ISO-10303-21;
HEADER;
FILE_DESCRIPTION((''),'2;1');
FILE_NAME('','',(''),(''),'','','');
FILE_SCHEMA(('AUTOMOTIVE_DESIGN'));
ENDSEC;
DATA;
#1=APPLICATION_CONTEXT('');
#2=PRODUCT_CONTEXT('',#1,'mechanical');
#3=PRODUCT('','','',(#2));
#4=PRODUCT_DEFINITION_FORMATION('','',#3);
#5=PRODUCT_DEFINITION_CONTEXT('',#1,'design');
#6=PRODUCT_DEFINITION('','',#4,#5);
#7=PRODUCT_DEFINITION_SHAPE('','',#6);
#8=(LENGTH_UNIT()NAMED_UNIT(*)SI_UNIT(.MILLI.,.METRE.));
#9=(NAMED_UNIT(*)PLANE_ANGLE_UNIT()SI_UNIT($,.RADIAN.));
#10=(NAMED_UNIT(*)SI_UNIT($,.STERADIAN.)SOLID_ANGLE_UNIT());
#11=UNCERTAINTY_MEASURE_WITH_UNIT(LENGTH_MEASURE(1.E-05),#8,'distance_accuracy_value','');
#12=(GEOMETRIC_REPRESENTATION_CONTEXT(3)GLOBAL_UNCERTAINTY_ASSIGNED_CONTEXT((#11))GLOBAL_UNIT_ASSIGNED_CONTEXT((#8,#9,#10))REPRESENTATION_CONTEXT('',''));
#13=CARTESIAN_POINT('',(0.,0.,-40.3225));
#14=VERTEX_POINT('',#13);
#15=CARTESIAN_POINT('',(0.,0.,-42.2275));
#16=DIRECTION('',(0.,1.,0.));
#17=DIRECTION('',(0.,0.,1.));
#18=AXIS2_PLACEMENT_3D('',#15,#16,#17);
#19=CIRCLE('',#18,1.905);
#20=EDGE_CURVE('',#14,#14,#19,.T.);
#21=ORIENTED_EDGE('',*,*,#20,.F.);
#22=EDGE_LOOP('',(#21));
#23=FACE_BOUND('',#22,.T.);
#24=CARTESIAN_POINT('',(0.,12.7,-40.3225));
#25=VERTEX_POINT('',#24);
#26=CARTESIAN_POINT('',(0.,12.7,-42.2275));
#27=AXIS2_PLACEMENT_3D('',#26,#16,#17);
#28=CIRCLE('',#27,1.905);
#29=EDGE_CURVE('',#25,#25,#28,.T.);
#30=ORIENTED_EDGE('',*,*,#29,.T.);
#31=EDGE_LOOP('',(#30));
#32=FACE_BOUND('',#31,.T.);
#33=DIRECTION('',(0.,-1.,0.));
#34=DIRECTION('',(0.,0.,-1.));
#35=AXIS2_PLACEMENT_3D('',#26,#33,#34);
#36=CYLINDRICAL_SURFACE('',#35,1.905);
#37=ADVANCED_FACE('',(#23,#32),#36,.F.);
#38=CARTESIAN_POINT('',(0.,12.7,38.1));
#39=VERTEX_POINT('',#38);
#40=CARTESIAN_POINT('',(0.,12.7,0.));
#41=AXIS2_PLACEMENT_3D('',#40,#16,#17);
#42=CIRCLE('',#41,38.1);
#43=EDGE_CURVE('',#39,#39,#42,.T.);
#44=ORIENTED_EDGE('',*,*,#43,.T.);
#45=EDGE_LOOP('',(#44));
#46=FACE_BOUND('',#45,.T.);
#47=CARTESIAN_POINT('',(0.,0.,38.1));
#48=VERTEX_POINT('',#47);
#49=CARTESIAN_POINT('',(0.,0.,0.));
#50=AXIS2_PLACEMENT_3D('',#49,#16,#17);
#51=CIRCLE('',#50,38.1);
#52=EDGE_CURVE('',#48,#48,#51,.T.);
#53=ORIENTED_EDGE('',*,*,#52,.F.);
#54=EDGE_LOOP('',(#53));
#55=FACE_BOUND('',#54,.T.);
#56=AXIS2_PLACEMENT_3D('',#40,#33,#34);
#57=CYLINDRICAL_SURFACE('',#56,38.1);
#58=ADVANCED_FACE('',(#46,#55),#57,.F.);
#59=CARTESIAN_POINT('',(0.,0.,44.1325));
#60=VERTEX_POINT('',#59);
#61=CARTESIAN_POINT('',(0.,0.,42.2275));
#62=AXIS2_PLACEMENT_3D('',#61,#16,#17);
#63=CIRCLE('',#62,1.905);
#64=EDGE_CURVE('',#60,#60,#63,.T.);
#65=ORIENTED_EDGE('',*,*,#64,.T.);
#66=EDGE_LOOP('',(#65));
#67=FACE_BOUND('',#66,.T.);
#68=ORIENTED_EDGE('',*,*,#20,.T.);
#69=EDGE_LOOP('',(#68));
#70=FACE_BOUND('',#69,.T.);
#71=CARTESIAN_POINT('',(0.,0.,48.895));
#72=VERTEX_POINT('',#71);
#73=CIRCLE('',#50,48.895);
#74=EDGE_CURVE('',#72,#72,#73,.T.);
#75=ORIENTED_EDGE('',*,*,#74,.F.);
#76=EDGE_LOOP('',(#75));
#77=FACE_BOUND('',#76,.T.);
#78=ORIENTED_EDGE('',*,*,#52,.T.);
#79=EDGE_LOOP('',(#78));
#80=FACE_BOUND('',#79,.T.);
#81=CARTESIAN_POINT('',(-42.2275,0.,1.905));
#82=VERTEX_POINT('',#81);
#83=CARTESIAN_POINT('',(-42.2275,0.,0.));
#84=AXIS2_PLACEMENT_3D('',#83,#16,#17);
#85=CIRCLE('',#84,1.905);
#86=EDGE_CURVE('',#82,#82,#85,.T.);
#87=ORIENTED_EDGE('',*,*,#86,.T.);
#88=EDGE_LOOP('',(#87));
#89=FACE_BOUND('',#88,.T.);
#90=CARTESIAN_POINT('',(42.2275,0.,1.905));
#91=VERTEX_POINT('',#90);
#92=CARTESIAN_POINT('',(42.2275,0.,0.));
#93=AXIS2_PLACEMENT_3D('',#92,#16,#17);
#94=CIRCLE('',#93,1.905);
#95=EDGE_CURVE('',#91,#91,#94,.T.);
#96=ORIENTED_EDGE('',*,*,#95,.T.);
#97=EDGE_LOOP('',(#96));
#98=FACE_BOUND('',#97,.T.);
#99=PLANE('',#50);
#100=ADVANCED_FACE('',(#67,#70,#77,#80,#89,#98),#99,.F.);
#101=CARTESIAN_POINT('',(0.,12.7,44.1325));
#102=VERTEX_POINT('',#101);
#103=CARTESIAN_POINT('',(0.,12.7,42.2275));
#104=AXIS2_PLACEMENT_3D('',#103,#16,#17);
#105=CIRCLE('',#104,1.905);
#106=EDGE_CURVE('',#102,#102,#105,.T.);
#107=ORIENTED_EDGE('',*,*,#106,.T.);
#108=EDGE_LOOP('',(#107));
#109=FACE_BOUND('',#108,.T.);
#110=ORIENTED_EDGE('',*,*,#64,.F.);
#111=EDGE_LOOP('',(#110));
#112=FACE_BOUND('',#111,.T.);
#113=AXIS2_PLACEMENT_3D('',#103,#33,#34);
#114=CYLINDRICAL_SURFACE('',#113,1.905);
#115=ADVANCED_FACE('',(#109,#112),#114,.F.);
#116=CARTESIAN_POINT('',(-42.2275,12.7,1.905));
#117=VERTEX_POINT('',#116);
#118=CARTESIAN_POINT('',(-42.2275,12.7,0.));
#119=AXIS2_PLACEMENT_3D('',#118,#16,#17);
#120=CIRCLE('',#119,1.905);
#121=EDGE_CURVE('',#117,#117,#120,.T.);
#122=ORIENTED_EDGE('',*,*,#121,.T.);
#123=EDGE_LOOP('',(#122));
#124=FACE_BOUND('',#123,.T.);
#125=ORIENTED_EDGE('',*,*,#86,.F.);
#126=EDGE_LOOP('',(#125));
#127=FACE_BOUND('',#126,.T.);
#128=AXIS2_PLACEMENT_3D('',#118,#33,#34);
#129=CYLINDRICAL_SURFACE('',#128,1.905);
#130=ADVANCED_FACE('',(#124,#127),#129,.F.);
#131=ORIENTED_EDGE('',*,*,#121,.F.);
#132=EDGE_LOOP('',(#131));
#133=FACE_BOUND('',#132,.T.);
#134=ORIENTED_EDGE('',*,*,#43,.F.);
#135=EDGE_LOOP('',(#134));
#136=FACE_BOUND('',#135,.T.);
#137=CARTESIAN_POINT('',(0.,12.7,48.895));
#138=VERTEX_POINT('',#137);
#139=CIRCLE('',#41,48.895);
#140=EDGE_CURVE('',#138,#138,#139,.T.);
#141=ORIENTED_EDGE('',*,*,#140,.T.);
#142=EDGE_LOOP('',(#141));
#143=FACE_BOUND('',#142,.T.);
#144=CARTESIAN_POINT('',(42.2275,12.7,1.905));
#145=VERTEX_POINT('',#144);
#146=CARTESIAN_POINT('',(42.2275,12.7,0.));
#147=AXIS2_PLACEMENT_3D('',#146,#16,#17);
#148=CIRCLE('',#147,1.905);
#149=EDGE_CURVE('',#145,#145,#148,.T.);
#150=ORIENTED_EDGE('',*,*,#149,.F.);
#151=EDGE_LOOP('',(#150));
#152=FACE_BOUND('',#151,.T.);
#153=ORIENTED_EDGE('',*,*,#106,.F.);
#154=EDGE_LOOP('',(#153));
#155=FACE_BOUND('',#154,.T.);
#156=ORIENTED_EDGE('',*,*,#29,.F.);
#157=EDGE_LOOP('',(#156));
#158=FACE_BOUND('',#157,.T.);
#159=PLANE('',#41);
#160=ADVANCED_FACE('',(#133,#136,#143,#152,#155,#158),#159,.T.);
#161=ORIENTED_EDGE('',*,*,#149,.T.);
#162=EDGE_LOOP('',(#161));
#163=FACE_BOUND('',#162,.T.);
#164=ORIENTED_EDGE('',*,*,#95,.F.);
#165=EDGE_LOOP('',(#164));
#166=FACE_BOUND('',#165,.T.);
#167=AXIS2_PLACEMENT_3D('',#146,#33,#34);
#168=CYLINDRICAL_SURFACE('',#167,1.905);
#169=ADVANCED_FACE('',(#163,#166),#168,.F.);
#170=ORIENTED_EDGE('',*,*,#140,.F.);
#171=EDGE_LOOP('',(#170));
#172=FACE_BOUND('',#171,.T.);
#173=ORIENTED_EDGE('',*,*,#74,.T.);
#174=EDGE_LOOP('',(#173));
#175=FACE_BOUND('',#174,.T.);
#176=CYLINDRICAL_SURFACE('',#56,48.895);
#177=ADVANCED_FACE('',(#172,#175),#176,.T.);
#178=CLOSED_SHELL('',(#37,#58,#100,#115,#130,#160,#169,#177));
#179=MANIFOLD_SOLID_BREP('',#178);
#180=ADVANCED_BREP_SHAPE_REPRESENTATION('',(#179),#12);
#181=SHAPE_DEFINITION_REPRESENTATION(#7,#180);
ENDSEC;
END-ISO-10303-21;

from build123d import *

# Parameters (mm, degrees)
SKETCH1_R           = 48.895
SKETCH1_R_2         = 38.1
SKETCH1_R_3         = 1.905
BOSS_EXTRUDE1_DEPTH = 12.7


with BuildPart() as part:
    # Sketch1 → Boss-Extrude1 (new body)
    with BuildSketch(Plane(origin=(0, 0, 0), x_dir=(1, 0, 0), z_dir=(0, 1, 0))):
        Circle(SKETCH1_R)
        Circle(SKETCH1_R_2, mode=Mode.SUBTRACT)
        with Locations((0, 42.2275)):
            Circle(SKETCH1_R_3, mode=Mode.SUBTRACT)
        with Locations((42.2275, 0)):
            Circle(SKETCH1_R_3, mode=Mode.SUBTRACT)
        with Locations((0, -42.2275)):
            Circle(SKETCH1_R_3, mode=Mode.SUBTRACT)
        with Locations((-42.2275, 0)):
            Circle(SKETCH1_R_3, mode=Mode.SUBTRACT)
    extrude(amount=BOSS_EXTRUDE1_DEPTH)


solid = part.part
